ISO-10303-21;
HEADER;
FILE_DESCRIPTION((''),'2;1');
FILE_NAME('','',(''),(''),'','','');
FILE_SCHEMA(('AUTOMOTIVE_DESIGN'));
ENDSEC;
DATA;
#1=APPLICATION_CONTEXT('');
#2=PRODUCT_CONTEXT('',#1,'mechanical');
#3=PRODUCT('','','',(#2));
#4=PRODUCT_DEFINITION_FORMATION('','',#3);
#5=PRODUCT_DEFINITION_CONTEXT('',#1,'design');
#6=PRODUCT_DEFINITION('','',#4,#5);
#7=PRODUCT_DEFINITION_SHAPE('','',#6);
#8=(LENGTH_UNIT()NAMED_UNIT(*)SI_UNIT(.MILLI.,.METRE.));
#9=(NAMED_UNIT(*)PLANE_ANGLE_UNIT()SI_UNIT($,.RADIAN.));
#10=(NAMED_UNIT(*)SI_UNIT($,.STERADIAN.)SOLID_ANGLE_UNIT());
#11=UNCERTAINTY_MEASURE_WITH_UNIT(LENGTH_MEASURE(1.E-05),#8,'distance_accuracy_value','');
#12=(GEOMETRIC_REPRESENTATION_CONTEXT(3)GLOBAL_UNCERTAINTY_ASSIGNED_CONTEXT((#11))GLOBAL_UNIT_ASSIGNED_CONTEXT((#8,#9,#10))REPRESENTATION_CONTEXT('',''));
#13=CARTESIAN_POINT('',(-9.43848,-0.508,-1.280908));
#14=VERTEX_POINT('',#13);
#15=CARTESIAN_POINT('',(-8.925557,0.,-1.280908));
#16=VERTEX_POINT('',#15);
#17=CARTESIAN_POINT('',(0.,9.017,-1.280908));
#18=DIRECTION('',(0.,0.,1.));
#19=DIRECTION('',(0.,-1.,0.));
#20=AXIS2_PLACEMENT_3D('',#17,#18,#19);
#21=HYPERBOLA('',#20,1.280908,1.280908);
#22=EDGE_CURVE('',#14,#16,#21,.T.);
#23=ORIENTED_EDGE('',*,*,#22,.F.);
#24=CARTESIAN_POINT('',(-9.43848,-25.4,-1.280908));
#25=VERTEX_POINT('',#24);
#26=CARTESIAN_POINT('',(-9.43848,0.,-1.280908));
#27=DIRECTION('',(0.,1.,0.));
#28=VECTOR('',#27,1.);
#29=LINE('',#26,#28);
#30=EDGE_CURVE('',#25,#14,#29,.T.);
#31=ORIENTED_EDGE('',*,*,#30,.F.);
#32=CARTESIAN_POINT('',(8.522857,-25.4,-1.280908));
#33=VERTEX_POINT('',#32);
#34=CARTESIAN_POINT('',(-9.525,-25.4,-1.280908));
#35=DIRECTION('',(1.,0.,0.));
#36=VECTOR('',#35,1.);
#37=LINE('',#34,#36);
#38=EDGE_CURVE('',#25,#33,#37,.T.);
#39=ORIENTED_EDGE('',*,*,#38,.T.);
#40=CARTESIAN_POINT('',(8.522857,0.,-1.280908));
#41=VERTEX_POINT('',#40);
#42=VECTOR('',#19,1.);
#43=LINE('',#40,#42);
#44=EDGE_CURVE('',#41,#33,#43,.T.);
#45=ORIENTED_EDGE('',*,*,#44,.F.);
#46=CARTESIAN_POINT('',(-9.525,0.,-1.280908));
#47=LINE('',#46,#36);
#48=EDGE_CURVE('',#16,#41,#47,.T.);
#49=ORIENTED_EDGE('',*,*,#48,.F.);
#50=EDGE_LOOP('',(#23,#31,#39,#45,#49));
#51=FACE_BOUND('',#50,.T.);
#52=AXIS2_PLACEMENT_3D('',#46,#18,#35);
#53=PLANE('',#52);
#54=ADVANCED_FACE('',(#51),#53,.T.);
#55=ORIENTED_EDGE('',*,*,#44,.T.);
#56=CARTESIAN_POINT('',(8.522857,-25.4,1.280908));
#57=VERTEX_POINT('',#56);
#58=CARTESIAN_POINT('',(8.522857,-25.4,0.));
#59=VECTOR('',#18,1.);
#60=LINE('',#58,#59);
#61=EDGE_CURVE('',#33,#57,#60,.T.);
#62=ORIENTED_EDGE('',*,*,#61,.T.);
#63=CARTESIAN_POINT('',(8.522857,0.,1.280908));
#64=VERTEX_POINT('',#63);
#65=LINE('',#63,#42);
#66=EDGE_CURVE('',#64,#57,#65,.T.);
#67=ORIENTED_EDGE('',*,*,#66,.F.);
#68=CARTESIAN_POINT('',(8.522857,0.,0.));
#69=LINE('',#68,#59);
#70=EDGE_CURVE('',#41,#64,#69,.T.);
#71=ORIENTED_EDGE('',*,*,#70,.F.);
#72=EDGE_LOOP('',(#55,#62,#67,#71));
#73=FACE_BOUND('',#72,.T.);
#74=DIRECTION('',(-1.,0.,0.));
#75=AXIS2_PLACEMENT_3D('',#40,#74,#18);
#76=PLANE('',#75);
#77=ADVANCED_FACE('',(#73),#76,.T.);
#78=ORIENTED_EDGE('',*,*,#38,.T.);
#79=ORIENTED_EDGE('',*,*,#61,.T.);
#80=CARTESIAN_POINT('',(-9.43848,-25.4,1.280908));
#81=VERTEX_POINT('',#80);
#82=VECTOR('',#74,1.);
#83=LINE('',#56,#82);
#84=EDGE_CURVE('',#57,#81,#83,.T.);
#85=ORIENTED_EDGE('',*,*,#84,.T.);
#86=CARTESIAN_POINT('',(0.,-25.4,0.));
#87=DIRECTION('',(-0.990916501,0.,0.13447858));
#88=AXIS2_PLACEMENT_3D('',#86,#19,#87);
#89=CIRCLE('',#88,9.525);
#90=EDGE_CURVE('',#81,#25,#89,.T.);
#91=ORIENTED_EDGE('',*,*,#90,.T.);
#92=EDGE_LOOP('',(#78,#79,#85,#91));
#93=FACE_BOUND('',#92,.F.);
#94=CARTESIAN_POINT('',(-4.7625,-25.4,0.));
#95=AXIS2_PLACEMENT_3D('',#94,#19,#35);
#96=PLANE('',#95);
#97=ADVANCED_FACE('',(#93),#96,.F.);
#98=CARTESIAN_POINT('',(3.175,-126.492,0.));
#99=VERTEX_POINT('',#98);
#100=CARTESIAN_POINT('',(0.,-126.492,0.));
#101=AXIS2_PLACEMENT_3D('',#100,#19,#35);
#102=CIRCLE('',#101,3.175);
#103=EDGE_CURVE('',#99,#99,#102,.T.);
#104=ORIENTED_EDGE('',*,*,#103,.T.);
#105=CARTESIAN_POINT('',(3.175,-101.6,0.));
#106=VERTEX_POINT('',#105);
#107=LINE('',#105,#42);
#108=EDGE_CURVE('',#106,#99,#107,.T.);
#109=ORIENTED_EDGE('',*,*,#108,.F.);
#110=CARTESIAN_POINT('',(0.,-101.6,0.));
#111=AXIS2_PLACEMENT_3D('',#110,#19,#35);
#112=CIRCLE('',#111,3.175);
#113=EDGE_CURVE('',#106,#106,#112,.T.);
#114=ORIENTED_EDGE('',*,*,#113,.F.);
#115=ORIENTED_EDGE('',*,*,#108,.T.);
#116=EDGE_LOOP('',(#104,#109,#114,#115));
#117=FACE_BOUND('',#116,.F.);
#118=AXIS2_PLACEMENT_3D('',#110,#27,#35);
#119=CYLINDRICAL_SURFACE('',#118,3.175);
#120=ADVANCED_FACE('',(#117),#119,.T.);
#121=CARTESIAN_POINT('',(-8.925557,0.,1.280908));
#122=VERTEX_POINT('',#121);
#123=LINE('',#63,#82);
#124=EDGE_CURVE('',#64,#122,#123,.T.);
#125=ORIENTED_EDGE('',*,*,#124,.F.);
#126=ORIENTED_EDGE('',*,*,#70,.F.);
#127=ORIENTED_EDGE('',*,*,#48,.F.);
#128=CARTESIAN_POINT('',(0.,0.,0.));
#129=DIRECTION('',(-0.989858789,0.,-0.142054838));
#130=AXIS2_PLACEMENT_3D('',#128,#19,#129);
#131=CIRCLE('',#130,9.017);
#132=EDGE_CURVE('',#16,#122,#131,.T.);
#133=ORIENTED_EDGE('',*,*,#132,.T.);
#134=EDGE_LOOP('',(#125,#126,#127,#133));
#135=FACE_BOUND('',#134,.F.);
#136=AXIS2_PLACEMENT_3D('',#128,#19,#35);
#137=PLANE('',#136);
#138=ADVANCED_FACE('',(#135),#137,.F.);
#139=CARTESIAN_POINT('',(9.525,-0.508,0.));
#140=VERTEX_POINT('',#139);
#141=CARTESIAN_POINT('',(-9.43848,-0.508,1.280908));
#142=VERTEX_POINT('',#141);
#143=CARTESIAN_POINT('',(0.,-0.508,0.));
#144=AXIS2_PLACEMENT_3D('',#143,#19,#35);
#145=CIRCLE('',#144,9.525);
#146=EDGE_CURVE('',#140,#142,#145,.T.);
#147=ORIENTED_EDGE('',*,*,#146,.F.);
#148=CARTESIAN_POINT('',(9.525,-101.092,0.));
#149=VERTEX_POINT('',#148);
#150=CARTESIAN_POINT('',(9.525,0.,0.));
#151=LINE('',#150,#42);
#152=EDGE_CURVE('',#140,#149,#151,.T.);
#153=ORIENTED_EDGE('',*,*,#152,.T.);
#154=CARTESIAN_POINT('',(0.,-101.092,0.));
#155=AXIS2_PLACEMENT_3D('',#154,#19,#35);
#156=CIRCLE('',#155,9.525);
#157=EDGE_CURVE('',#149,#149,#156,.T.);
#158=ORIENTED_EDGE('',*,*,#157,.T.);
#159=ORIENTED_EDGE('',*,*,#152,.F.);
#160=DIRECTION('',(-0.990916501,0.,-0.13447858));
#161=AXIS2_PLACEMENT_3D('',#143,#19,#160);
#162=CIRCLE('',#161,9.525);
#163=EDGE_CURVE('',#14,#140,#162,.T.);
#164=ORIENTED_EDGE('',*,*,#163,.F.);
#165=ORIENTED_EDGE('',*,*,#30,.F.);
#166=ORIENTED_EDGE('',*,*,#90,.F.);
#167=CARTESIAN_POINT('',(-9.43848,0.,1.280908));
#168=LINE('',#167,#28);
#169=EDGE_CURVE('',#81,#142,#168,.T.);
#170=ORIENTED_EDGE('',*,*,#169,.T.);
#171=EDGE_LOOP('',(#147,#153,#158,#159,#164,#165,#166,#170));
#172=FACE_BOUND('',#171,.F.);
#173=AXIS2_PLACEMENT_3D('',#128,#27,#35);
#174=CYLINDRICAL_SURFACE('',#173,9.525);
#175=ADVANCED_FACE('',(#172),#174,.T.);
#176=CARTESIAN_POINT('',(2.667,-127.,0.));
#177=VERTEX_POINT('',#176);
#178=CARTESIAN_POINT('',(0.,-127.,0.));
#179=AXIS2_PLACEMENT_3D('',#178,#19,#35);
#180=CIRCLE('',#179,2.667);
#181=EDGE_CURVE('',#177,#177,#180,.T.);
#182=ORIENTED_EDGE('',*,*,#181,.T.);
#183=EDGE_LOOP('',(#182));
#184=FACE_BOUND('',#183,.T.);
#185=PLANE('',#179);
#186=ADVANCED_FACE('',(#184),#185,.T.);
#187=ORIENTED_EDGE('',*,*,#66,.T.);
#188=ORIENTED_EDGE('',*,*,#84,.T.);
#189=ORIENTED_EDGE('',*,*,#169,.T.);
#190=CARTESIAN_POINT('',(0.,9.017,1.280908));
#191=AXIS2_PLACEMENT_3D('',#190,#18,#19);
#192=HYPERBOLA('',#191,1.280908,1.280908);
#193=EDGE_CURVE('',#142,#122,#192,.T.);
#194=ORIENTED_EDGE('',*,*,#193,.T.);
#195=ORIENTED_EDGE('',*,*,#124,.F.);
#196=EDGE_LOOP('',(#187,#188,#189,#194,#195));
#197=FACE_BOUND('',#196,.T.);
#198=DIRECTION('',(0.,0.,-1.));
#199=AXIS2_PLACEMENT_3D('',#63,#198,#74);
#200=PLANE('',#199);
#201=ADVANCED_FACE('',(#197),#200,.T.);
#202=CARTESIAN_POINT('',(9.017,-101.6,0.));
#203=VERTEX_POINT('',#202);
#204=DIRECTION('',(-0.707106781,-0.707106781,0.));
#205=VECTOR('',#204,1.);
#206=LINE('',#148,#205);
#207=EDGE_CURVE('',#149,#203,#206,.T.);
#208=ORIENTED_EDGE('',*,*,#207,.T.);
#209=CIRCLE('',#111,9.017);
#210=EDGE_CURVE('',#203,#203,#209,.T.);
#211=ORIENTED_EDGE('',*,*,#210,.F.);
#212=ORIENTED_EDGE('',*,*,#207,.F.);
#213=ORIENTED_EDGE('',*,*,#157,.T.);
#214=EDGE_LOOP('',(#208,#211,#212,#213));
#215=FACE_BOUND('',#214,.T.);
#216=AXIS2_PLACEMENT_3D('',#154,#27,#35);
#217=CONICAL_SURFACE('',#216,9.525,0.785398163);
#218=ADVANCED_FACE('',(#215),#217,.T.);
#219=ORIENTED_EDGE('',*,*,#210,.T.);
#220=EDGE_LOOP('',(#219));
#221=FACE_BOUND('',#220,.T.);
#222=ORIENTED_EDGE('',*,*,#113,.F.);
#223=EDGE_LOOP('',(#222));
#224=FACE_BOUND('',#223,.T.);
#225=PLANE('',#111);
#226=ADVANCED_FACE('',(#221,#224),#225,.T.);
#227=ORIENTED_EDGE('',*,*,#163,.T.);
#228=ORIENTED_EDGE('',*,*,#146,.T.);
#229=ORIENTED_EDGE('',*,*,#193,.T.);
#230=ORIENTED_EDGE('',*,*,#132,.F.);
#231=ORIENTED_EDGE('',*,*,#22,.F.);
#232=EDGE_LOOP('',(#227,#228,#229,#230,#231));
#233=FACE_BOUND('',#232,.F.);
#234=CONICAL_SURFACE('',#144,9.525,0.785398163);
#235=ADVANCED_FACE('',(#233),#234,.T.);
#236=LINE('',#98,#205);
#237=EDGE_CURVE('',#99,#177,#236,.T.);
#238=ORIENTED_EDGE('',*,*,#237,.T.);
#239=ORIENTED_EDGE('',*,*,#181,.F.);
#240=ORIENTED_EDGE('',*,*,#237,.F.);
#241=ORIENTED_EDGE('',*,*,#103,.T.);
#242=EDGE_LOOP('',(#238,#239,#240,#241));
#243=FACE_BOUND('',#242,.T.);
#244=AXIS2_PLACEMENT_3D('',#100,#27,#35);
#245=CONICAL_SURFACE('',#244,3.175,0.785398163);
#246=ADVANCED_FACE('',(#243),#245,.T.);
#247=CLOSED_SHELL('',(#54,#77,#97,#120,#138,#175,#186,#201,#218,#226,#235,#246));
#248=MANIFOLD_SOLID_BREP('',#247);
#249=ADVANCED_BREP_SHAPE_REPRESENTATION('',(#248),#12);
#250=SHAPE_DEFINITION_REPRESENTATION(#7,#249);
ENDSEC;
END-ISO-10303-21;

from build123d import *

# Parameters (mm, degrees)
F0_R     = 9.525
F1_DEPTH = 101.6
F2_W     = 9.525
F2_H     = 2.5618169457
F2_W_2   = 8.5228569806
F3_DEPTH = 25.4
F4_R     = 3.175
F5_DEPTH = 25.4
F6_SIZE  = 0.508


with BuildPart() as f1:
    # F0 (on Front) → F1 (new body)
    with BuildSketch(Plane.XZ):
        Circle(F0_R)
    extrude(amount=F1_DEPTH)

    # F2 (on Front) → F3 (cut)
    with BuildSketch(Plane.XZ):
        with Locations((-4.7625, 0)):
            Rectangle(F2_W, F2_H)
        with Locations((4.2614284903, 0)):
            Rectangle(F2_W_2, F2_H)
    extrude(amount=F3_DEPTH, mode=Mode.SUBTRACT)

    # F4 (on face) → F5 (join)
    with BuildSketch(Plane.XZ.offset(101.6)):
        Circle(F4_R)
    extrude(amount=F5_DEPTH)

    # F6
    f6_edges = [f1.edges().sort_by_distance(p)[0] for p in [
        (-3.175, -127, 0),
        (-9.525, -101.6, 0),
        (0.641914, 0, 9.503345),
        (0.641914, 0, -9.503345),
    ]]
    chamfer(f6_edges, length=F6_SIZE)


solid = f1.part
